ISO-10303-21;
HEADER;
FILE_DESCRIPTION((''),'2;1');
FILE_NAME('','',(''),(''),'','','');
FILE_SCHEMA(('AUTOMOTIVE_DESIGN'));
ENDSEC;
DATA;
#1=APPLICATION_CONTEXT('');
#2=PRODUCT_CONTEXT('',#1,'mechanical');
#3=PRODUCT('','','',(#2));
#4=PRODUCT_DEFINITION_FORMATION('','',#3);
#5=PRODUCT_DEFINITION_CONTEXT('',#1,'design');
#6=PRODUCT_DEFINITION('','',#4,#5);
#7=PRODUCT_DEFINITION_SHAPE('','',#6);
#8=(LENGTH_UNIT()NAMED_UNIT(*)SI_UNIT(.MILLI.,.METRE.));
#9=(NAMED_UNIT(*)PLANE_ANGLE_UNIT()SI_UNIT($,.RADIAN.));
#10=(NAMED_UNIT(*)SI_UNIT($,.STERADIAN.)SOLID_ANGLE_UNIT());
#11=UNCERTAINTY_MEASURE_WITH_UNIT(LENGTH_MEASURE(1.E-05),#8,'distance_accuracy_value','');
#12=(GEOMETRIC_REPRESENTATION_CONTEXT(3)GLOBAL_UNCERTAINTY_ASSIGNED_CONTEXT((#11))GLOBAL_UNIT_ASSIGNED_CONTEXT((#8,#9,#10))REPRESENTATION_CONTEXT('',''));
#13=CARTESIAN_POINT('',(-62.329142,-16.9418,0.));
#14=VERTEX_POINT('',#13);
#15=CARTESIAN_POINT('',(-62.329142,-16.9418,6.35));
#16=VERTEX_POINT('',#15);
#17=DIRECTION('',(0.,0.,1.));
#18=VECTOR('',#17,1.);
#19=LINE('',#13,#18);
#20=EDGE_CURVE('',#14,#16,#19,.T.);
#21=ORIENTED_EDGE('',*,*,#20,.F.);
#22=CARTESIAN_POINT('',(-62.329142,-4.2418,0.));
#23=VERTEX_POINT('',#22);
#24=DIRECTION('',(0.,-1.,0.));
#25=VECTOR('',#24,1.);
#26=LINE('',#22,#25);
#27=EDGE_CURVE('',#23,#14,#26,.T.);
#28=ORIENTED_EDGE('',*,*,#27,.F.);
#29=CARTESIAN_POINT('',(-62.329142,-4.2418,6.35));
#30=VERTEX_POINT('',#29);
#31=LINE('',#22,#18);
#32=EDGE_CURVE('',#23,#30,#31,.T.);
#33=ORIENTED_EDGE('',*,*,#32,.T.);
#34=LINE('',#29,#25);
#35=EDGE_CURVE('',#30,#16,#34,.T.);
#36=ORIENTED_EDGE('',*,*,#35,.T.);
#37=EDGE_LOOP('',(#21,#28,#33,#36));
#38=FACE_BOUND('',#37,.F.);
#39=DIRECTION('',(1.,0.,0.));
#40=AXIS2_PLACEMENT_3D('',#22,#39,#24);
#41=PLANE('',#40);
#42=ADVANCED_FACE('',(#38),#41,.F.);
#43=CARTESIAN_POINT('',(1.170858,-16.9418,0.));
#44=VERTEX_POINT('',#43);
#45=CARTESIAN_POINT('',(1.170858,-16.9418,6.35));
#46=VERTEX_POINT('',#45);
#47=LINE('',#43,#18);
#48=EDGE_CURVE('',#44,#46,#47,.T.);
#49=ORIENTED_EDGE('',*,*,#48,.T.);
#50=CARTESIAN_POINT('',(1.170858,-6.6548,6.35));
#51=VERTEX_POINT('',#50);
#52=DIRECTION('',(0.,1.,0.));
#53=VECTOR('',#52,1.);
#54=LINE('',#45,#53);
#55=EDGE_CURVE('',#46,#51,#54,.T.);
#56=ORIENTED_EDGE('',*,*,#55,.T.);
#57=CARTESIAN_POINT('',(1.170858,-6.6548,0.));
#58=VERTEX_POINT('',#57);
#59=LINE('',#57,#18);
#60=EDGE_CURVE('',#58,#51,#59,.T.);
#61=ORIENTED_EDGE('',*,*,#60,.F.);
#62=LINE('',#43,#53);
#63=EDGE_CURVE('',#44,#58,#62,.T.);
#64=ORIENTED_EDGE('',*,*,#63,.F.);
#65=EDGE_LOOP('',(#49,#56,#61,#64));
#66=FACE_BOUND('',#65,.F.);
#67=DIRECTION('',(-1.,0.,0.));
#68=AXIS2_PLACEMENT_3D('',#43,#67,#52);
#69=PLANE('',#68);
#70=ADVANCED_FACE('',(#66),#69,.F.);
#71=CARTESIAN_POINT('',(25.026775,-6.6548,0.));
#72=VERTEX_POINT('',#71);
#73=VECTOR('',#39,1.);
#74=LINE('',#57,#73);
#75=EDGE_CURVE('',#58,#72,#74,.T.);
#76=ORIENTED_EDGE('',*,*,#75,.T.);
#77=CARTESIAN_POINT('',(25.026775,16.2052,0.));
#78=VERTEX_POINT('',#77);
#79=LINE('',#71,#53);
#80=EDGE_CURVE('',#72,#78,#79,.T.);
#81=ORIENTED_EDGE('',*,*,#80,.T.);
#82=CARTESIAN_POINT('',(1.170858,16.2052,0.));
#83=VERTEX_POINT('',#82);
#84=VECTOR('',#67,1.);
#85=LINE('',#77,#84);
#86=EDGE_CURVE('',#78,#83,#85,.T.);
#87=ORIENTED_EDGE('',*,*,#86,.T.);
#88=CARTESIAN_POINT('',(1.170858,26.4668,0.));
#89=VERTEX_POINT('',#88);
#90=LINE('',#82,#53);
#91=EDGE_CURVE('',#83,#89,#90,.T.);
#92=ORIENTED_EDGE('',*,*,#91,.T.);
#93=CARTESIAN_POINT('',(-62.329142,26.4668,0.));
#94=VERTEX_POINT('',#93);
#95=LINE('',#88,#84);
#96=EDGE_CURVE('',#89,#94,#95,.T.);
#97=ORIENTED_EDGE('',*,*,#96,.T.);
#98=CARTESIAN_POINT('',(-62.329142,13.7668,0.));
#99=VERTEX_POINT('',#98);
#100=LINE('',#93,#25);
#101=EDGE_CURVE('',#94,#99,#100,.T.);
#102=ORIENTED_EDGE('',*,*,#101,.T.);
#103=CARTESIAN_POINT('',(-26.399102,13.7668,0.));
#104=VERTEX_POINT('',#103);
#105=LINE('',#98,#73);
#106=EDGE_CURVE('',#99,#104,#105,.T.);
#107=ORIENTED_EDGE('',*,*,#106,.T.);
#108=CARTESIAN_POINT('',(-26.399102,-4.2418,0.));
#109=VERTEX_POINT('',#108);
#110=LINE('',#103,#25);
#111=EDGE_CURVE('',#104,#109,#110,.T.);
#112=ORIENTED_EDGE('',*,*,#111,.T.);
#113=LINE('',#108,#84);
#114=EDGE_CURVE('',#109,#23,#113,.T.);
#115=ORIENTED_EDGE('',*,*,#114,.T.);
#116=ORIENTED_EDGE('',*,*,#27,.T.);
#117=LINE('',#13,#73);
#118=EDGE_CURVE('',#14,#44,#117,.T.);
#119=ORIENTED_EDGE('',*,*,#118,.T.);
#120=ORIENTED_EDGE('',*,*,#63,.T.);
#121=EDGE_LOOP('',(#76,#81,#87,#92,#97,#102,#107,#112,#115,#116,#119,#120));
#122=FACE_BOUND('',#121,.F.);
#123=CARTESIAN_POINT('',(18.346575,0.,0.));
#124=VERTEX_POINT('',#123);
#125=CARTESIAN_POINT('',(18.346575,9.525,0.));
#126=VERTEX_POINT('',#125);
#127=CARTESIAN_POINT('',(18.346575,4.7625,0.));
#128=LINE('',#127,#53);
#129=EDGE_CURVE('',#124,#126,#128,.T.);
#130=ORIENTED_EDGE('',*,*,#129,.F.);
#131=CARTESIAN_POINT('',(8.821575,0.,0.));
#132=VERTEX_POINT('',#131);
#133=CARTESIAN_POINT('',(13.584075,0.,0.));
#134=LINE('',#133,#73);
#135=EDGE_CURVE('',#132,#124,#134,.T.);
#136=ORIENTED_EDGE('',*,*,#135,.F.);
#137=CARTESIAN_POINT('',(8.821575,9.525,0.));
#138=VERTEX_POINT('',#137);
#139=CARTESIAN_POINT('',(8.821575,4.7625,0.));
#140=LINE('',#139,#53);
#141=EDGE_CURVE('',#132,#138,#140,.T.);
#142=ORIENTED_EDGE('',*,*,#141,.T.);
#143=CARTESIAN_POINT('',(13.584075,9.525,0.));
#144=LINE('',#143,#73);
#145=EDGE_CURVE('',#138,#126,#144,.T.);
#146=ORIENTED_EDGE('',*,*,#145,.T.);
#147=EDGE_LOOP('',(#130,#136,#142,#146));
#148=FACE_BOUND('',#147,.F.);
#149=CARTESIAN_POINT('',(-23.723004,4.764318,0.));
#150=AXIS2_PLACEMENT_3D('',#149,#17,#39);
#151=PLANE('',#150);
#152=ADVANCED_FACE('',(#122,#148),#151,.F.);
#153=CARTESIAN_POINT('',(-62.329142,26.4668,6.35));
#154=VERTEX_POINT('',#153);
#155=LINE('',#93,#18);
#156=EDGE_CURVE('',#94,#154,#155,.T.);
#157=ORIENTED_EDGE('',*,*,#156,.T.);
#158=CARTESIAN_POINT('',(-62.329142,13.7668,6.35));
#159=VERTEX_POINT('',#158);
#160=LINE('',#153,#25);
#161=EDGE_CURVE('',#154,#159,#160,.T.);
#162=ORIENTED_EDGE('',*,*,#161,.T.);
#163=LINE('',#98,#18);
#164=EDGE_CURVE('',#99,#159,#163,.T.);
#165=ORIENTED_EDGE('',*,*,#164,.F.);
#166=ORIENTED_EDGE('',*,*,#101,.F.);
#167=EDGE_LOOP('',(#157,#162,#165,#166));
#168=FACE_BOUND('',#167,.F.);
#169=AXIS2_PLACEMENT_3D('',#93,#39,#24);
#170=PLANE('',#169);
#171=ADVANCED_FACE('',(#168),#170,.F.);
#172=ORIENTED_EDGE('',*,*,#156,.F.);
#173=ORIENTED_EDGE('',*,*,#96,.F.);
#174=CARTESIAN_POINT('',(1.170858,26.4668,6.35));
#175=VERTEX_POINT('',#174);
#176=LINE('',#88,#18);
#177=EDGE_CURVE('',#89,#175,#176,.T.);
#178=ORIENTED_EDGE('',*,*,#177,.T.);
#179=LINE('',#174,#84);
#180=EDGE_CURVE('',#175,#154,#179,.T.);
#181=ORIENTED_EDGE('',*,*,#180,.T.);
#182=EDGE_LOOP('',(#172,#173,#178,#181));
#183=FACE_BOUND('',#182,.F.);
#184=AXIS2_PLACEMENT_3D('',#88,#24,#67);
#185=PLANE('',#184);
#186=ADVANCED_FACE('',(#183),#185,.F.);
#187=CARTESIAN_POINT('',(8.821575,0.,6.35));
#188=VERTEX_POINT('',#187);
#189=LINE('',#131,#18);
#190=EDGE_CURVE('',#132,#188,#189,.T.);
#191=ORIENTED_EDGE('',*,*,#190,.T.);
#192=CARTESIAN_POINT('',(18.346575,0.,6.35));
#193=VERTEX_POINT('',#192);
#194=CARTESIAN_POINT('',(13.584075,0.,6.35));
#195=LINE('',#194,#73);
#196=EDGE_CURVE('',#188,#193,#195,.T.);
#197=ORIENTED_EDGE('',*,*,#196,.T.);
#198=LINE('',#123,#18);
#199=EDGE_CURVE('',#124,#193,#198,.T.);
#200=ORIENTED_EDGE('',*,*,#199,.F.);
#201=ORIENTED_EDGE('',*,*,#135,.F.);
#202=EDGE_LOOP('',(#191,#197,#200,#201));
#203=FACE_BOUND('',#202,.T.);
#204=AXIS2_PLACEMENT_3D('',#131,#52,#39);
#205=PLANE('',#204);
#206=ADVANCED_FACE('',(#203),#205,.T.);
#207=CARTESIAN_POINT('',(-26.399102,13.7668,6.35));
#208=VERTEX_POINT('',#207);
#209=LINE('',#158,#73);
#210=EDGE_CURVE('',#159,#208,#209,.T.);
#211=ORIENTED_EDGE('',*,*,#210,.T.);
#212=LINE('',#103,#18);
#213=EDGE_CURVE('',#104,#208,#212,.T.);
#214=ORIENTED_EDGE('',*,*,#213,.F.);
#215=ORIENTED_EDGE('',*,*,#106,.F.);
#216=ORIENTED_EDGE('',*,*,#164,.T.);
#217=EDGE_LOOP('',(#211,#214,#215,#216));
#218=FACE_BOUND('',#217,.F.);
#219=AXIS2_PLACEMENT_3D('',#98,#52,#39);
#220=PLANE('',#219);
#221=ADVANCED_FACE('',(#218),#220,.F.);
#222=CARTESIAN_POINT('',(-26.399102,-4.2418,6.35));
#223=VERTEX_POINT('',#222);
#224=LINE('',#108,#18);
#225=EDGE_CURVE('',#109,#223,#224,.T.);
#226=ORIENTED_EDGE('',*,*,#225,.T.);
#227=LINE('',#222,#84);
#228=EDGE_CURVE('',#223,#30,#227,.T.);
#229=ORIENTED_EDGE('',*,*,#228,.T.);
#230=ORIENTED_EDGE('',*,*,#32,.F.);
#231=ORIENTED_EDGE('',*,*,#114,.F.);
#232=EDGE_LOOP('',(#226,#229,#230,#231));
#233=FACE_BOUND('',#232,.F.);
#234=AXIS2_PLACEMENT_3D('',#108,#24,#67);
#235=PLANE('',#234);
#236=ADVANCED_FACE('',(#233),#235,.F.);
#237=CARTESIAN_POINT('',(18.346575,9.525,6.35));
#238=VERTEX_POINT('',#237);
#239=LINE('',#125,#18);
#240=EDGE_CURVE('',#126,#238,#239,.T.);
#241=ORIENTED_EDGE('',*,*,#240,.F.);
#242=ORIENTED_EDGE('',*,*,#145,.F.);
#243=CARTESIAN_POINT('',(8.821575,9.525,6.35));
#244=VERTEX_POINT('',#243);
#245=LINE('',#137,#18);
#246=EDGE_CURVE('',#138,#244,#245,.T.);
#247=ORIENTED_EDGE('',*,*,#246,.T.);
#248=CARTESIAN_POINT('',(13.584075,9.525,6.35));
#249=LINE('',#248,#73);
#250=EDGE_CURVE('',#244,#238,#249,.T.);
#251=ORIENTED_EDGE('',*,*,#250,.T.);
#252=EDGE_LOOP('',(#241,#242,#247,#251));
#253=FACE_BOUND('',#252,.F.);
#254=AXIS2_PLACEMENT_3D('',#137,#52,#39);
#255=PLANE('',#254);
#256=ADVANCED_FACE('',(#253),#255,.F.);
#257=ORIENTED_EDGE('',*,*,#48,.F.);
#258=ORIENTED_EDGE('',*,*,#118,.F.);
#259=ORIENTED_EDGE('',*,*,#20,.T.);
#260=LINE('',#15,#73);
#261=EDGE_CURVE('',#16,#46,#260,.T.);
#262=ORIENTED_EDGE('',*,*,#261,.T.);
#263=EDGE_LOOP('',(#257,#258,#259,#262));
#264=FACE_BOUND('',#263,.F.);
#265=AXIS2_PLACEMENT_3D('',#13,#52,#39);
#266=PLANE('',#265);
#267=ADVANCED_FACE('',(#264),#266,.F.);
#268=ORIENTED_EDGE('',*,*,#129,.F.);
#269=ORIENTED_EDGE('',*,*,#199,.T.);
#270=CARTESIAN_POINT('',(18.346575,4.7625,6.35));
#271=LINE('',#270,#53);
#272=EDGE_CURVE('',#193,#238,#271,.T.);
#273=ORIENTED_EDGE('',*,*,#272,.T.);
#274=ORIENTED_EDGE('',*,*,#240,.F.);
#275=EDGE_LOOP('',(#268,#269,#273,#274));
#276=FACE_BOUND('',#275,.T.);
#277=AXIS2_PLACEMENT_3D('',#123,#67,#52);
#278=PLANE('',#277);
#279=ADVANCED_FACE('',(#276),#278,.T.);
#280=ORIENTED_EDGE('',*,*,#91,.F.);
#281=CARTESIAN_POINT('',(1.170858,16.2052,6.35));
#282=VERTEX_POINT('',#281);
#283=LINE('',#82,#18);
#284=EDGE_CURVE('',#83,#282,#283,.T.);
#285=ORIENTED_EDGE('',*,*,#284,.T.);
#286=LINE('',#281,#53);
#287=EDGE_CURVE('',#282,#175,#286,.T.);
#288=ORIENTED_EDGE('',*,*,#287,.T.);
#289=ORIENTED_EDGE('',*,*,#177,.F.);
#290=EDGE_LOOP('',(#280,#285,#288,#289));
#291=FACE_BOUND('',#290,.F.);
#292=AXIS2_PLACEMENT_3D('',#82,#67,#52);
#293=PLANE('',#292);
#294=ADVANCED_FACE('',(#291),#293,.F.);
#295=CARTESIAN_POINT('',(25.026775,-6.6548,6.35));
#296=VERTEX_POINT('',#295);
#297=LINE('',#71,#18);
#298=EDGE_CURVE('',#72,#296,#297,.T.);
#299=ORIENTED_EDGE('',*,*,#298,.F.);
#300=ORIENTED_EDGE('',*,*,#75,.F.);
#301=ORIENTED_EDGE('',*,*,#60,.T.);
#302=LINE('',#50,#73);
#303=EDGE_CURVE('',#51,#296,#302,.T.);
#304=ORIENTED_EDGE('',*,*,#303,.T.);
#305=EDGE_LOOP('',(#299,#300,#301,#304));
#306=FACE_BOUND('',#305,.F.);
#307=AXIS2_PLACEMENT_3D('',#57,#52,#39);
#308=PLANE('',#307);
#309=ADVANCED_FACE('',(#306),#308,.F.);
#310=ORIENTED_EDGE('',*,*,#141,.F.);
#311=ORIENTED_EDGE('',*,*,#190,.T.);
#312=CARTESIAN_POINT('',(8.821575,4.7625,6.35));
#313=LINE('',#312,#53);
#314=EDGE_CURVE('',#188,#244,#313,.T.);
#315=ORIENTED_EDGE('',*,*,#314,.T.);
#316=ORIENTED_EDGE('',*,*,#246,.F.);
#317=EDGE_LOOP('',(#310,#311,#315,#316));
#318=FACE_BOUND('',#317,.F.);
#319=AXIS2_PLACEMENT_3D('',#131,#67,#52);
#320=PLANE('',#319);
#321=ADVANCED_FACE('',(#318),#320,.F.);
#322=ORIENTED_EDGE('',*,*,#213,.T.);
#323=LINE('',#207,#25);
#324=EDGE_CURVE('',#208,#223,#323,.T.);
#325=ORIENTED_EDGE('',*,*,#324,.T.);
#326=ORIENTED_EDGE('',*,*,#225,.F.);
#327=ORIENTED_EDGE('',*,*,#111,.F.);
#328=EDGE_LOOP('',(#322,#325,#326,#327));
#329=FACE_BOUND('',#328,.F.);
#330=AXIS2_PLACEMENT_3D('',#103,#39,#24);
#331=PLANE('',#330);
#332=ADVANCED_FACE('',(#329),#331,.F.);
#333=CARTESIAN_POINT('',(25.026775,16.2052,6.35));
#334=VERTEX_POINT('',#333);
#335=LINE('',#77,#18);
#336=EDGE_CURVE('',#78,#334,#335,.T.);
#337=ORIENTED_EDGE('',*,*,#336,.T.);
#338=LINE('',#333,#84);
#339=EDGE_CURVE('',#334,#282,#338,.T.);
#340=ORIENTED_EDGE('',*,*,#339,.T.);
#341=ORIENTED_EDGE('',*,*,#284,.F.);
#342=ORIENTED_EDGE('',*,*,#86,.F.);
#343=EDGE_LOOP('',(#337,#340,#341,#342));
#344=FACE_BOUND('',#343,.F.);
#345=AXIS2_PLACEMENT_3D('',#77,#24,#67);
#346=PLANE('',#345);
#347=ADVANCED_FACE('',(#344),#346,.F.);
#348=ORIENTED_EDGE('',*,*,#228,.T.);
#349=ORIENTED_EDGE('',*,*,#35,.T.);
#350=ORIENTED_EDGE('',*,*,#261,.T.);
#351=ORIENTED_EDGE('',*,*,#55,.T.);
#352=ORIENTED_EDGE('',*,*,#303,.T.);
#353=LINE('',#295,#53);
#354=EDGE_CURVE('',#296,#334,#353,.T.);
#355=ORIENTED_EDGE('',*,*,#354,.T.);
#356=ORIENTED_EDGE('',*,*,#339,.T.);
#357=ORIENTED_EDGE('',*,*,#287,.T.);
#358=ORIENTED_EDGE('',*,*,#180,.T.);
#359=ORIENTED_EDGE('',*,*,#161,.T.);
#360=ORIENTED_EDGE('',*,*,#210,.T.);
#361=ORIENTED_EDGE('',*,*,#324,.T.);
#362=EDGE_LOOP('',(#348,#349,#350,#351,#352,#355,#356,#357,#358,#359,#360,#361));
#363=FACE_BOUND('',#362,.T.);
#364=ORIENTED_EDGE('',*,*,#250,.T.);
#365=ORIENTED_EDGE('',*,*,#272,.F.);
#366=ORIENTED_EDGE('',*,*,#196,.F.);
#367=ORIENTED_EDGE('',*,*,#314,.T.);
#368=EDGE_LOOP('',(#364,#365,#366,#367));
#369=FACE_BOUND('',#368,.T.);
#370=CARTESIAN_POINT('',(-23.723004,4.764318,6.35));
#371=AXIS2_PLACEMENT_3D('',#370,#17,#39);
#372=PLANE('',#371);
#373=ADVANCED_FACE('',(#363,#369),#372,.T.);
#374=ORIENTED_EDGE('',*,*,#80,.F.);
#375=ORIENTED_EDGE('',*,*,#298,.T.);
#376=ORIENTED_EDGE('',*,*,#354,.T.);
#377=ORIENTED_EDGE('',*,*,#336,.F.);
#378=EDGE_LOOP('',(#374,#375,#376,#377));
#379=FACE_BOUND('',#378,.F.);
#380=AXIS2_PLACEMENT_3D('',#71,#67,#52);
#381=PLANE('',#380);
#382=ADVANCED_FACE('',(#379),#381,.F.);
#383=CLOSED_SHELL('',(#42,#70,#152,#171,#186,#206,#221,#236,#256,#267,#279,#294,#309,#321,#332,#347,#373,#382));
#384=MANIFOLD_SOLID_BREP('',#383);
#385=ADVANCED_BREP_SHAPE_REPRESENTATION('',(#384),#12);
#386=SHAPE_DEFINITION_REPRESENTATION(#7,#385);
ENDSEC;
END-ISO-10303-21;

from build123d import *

# Parameters (mm, degrees)
F0_W     = 9.525
F0_H     = 9.525
F1_DEPTH = 6.35


with BuildPart() as f1:
    # F0 (on Top) → F1 (new body)
    with BuildSketch(Plane.XY):
        Polygon((-62.329142, 26.4668), (-62.329142, 13.7668), (-26.399102, 13.7668), (-26.399102, -4.2418), (-62.329142, -4.2418), (-62.329142, -16.9418), (1.170858, -16.9418), (1.170858, -6.6548), (25.026775, -6.6548), (25.026775, 16.2052), (1.170858, 16.2052), (1.170858, 26.4668), align=None)
        with Locations((13.584075, 4.7625)):
            Rectangle(F0_W, F0_H, mode=Mode.SUBTRACT)
    extrude(amount=F1_DEPTH)


solid = f1.part
